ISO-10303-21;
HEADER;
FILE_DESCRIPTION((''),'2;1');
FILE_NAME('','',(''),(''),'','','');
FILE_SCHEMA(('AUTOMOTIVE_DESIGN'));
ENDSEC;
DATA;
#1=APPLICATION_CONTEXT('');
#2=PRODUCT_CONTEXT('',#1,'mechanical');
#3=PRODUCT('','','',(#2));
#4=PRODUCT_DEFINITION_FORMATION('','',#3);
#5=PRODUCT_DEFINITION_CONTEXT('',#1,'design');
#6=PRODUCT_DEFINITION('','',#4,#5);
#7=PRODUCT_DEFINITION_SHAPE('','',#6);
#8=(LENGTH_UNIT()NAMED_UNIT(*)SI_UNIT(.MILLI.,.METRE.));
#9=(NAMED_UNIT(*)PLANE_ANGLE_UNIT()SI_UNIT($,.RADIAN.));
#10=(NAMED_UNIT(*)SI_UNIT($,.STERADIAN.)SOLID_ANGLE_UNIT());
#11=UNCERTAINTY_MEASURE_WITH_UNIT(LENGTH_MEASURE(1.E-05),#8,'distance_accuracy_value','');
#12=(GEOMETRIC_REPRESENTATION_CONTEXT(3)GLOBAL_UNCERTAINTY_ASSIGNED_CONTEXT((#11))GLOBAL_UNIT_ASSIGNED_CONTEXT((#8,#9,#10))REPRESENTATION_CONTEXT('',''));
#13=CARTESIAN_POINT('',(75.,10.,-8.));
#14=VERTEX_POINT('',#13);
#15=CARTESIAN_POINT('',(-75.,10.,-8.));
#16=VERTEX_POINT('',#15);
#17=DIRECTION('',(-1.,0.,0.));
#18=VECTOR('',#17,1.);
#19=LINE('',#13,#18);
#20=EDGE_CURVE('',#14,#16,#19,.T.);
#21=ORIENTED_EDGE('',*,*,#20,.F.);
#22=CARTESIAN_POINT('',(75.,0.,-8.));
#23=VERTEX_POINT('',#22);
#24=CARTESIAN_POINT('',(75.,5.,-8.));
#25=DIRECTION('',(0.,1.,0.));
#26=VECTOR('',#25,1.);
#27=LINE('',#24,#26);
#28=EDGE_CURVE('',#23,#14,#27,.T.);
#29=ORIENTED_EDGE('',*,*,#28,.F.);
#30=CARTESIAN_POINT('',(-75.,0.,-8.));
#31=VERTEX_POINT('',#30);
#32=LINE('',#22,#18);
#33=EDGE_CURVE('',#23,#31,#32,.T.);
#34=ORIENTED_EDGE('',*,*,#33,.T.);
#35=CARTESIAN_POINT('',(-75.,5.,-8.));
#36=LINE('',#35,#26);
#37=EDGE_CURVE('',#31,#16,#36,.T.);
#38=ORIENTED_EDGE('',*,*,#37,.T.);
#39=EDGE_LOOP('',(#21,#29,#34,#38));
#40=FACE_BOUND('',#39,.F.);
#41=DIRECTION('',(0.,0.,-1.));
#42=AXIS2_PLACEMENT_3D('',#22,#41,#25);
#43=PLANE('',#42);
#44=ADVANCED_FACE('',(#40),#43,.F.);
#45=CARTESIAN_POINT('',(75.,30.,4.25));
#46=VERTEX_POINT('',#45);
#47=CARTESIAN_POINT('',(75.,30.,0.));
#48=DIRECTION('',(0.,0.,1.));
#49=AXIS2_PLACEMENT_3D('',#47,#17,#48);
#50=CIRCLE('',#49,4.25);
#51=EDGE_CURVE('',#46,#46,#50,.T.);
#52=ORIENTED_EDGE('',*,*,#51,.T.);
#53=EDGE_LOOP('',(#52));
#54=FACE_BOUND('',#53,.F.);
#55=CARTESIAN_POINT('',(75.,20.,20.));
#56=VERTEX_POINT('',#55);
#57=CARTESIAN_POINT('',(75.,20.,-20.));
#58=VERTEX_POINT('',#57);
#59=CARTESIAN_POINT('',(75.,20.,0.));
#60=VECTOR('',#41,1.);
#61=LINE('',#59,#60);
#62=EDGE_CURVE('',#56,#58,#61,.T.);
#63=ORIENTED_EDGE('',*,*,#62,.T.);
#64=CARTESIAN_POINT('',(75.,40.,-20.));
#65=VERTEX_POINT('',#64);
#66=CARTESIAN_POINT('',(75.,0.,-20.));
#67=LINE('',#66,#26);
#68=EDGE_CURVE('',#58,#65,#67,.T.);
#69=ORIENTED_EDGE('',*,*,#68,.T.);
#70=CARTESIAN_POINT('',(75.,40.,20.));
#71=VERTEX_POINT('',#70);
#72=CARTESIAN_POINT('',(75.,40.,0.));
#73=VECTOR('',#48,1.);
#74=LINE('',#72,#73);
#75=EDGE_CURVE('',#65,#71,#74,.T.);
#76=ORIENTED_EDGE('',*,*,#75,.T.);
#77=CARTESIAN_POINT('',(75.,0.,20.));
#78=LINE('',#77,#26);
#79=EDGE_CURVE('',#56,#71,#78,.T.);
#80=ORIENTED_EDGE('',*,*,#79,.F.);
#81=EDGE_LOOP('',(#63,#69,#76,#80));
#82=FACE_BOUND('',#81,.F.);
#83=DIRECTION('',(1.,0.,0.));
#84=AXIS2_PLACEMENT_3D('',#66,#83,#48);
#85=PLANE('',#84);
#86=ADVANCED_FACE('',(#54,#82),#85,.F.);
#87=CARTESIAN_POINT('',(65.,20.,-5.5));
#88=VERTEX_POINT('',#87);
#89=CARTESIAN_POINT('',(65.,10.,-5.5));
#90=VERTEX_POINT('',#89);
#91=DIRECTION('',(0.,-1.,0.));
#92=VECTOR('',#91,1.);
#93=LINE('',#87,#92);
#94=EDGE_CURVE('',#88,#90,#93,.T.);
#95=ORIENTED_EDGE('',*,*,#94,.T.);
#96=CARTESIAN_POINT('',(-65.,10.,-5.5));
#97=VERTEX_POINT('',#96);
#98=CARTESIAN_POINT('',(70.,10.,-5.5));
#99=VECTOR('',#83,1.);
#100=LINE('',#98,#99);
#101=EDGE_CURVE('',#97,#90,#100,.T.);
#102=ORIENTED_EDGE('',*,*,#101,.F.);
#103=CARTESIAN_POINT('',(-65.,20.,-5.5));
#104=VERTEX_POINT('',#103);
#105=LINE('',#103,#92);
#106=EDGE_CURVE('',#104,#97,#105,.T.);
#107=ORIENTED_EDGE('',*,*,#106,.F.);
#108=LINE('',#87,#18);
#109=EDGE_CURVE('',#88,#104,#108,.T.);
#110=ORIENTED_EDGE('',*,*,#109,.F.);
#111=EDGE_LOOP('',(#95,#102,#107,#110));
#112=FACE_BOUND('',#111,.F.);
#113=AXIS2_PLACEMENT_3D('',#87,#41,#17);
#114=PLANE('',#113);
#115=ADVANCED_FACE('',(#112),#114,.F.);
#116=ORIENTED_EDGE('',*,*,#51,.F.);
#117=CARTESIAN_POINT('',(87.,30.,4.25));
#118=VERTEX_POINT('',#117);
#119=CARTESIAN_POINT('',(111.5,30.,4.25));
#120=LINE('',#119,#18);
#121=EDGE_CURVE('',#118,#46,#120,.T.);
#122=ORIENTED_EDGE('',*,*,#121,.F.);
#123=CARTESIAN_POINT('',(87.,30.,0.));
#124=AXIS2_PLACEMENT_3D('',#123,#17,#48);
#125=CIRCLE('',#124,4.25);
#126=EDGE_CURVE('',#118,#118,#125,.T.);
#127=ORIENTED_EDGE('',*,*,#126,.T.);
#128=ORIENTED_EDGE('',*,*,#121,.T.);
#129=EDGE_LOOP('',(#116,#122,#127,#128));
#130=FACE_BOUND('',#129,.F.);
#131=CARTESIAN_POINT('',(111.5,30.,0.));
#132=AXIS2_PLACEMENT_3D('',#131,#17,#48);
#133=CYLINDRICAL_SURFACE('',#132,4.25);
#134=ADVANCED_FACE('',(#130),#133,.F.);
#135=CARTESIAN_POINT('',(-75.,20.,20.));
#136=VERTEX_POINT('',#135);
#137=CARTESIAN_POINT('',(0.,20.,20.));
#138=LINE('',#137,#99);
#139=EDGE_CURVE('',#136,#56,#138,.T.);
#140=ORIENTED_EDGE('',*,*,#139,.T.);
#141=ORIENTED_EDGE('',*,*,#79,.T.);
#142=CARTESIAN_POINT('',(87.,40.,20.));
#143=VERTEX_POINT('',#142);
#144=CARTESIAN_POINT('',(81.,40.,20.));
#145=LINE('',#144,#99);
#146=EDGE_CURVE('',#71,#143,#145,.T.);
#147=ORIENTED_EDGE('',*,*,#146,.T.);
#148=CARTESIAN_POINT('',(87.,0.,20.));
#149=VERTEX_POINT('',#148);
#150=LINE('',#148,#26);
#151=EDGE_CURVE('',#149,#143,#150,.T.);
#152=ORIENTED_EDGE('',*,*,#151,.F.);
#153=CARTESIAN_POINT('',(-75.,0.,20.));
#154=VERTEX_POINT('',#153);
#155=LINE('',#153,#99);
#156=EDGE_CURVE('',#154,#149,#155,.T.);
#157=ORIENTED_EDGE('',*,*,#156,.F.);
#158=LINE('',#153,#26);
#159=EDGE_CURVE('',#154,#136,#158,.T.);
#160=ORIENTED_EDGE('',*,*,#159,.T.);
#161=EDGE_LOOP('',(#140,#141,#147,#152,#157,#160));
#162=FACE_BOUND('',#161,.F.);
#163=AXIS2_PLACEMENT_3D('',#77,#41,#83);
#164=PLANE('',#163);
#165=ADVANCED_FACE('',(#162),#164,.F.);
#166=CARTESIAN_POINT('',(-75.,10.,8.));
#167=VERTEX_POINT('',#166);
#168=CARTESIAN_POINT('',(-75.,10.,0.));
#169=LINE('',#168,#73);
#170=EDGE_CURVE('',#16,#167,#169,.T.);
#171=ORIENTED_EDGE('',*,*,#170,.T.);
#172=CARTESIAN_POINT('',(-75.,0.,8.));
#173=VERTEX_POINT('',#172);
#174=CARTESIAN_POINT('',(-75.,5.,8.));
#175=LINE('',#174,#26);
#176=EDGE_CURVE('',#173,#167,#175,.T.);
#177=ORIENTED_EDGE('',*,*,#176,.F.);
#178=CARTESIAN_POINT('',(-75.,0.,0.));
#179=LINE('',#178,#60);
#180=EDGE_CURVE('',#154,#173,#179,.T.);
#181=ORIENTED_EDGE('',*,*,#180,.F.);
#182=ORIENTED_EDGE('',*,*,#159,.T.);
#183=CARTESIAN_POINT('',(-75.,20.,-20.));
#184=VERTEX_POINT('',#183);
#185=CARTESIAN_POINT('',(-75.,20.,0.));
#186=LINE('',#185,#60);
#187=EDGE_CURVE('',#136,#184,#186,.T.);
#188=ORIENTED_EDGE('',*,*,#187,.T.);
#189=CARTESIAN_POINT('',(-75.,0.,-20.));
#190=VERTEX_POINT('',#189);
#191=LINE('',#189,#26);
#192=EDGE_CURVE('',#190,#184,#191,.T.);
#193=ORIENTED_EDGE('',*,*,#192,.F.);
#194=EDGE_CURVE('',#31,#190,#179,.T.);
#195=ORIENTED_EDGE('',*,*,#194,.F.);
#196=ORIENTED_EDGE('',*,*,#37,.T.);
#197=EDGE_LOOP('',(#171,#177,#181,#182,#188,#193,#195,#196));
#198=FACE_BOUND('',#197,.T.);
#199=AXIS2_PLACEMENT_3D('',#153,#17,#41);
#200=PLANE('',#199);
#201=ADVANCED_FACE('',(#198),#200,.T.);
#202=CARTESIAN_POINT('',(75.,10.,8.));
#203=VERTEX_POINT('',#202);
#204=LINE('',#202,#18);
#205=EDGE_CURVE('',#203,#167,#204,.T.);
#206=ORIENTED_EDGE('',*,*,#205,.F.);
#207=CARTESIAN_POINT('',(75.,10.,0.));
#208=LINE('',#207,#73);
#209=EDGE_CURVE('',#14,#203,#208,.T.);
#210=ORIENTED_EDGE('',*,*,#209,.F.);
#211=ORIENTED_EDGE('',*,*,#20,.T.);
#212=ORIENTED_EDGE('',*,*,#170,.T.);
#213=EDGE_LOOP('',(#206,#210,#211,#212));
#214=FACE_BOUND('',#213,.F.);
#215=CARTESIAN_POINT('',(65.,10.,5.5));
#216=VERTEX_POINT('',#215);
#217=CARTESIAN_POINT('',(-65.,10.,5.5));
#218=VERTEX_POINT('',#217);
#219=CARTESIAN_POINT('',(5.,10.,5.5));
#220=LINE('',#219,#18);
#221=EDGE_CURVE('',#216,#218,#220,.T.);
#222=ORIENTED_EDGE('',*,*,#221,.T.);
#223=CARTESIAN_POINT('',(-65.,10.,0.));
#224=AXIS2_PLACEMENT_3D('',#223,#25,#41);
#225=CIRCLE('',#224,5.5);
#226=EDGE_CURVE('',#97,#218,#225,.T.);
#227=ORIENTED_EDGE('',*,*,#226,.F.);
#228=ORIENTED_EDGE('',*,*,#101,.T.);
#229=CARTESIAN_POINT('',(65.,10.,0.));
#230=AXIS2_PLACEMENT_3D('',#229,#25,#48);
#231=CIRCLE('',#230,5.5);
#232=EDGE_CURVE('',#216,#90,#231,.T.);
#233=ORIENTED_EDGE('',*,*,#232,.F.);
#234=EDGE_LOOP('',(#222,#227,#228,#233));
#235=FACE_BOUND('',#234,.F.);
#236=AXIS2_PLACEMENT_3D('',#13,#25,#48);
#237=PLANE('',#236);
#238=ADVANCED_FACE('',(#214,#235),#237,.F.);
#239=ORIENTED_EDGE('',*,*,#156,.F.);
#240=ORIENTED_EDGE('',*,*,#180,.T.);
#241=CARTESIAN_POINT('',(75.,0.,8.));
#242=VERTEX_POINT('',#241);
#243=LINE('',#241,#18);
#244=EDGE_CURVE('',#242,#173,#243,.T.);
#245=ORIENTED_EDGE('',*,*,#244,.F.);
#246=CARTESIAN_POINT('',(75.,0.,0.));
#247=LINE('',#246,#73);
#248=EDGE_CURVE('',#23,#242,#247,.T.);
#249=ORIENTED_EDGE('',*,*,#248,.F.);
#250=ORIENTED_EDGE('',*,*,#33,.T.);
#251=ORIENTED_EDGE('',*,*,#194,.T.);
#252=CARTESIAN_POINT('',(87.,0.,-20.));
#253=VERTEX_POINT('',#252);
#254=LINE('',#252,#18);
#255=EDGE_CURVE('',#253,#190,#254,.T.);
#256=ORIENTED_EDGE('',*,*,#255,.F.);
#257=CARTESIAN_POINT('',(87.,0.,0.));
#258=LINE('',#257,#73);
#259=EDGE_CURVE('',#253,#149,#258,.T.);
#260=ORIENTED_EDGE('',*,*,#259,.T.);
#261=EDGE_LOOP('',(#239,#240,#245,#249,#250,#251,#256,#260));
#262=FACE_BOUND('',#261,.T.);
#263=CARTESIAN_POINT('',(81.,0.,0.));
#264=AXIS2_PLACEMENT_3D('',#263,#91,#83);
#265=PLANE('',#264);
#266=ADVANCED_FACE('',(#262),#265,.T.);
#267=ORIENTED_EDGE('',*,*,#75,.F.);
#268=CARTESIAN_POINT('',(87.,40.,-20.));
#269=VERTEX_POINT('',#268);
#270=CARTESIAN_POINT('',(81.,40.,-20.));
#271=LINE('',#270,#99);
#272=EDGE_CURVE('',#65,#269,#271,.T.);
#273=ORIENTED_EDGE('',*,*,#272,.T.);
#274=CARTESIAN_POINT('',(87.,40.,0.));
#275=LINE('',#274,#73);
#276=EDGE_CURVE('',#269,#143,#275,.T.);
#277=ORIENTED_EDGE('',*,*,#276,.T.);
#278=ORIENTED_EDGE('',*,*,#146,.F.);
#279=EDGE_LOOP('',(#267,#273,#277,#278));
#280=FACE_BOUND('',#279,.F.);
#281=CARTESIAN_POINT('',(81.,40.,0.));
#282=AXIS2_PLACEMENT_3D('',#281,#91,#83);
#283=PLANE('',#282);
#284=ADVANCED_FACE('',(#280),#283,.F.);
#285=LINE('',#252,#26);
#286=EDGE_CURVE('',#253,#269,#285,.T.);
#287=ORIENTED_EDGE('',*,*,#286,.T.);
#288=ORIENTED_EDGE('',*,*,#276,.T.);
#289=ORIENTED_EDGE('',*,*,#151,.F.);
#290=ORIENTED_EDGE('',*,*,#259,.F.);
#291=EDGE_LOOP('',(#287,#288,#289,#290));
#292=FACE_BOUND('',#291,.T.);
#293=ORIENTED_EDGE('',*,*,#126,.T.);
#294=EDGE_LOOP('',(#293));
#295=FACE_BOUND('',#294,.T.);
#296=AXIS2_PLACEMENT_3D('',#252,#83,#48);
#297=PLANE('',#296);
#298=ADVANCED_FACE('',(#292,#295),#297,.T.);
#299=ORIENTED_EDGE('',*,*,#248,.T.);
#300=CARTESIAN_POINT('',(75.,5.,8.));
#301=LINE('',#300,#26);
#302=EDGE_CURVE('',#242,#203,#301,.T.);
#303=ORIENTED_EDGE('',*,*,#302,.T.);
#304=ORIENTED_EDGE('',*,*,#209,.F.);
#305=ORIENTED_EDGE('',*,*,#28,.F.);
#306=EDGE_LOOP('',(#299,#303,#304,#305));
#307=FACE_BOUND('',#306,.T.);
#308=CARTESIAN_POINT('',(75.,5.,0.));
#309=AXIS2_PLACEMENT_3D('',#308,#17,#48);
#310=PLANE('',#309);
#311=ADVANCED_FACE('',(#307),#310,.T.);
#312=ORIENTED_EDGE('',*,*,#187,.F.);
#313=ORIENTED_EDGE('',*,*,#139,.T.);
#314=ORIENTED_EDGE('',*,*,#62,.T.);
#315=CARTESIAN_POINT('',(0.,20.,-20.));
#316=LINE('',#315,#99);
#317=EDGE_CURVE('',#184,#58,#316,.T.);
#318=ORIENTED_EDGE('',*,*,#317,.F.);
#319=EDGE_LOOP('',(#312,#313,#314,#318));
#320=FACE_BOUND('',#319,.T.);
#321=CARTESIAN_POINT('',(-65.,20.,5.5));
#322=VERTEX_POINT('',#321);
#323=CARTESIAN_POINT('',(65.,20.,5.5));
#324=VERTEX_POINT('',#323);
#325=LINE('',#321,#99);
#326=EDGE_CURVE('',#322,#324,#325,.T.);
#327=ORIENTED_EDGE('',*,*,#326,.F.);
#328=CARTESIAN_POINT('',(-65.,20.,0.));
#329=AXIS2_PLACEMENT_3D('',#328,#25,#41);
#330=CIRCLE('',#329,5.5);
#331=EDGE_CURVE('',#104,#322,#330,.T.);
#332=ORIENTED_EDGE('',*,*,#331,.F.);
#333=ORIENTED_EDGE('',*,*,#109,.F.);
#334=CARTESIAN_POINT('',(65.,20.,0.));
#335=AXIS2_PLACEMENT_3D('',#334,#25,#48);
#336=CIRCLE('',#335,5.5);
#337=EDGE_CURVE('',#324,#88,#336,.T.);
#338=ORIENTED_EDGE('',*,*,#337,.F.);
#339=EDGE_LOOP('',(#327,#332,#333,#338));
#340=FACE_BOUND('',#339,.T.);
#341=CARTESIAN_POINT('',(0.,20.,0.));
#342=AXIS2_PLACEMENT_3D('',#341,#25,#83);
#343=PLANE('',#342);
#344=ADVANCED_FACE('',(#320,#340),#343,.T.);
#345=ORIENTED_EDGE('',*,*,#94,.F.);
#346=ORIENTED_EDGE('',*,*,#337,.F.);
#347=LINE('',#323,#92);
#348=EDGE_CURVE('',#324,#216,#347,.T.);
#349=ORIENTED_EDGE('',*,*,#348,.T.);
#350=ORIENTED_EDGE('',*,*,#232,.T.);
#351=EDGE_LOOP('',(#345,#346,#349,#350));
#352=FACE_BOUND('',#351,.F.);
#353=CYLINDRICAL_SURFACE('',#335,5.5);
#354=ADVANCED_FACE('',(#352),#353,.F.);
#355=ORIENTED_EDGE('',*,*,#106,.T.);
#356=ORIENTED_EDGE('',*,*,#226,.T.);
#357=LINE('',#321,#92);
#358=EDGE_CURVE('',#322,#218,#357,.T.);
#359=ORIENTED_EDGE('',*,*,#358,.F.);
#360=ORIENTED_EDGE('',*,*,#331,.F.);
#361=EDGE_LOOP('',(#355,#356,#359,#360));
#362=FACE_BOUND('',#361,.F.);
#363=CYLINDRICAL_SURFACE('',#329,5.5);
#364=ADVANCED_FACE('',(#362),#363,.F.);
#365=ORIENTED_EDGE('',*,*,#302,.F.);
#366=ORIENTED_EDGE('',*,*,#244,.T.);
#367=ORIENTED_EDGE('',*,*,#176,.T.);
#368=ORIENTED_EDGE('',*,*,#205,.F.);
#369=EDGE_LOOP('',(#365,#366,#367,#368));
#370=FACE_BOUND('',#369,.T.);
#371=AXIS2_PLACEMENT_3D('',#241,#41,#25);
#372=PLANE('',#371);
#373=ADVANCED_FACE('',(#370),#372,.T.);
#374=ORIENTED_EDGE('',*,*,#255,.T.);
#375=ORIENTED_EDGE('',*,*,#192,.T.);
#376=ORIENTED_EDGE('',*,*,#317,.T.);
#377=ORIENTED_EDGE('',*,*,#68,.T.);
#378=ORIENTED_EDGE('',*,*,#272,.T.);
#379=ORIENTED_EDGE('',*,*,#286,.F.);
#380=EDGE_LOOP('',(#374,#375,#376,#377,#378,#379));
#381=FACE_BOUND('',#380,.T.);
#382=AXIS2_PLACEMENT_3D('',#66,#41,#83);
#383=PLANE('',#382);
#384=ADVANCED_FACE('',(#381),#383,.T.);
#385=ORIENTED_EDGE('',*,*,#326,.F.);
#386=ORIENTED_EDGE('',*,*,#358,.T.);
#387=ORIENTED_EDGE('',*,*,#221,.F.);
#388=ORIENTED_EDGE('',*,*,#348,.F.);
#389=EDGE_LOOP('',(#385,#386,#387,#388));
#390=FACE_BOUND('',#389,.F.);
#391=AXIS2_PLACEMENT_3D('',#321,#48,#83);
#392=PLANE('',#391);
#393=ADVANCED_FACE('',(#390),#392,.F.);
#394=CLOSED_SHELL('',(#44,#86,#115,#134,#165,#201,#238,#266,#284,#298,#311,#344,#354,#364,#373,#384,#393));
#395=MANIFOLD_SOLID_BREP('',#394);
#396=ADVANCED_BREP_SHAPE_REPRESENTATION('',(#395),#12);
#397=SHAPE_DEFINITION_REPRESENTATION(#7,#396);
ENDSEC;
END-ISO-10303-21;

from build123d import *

# Parameters (mm, degrees)
SKETCH_1_W              = 150
SKETCH_1_H              = 40
EXTRUDE_1_DEPTH         = 20
SKETCH_3_W              = 12
SKETCH_3_H              = 40
EXTRUDE_2_DEPTH         = 40
CUT_EXTRUDE_1_DEPTH     = 40
HOLE_WIZARD_M10_1_D     = 8.5
HOLE_WIZARD_M10_1_DEPTH = 24.5
HOLE_WIZARD_M10_1_TIP   = 2.553657631
CUT_EXTRUDE_START       = -150
SKETCH_7_W              = 16
SKETCH_7_H              = 10
CUT_EXTRUDE_2_DEPTH     = 150


with BuildPart() as part:
    # 草图1 → 凸台-拉伸1 (new body)
    with BuildSketch(Plane(origin=(0, 0, 0), x_dir=(1, 0, 0), z_dir=(0, 1, 0))):
        Rectangle(SKETCH_1_W, SKETCH_1_H)
    extrude(amount=EXTRUDE_1_DEPTH)

    # 草图3 → 凸台-拉伸2 (add)
    with BuildSketch(Plane.XZ):
        with Locations((81, 0)):
            Rectangle(SKETCH_3_W, SKETCH_3_H)
    extrude(amount=-EXTRUDE_2_DEPTH)

    # 草图4 → 切除-拉伸1 (cut)
    with BuildSketch(Plane(origin=(0, 20, 0), x_dir=(1, 0, 0), z_dir=(0, 1, 0))):
        with BuildLine():
            Line((-65, -5.5), (65, -5.5))
            ThreePointArc((65, -5.5), (70.5, 0), (65, 5.5))
            Line((65, 5.5), (-65, 5.5))
            ThreePointArc((-65, 5.5), (-70.5, 0), (-65, -5.5))
        make_face()
    extrude(amount=-CUT_EXTRUDE_1_DEPTH, mode=Mode.SUBTRACT)

    # M10 螺纹孔1
    with Locations(Plane(origin=(87, 0, 0), x_dir=(0, 0, -1), z_dir=(1, 0, 0))):
        with Locations((0, 30)):
            Hole(HOLE_WIZARD_M10_1_D / 2, depth=HOLE_WIZARD_M10_1_DEPTH)
            with Locations((0, 0, -(HOLE_WIZARD_M10_1_DEPTH + HOLE_WIZARD_M10_1_TIP / 2))):  # 118° drill point
                Cone(0, HOLE_WIZARD_M10_1_D / 2, HOLE_WIZARD_M10_1_TIP, mode=Mode.SUBTRACT)

    # 草图7 → 切除-拉伸2 (cut)
    with BuildSketch(Plane.ZY.offset(75).offset(CUT_EXTRUDE_START)):
        with Locations((0, 5)):
            Rectangle(SKETCH_7_W, SKETCH_7_H)
    extrude(amount=CUT_EXTRUDE_2_DEPTH, mode=Mode.SUBTRACT)


solid = part.part
